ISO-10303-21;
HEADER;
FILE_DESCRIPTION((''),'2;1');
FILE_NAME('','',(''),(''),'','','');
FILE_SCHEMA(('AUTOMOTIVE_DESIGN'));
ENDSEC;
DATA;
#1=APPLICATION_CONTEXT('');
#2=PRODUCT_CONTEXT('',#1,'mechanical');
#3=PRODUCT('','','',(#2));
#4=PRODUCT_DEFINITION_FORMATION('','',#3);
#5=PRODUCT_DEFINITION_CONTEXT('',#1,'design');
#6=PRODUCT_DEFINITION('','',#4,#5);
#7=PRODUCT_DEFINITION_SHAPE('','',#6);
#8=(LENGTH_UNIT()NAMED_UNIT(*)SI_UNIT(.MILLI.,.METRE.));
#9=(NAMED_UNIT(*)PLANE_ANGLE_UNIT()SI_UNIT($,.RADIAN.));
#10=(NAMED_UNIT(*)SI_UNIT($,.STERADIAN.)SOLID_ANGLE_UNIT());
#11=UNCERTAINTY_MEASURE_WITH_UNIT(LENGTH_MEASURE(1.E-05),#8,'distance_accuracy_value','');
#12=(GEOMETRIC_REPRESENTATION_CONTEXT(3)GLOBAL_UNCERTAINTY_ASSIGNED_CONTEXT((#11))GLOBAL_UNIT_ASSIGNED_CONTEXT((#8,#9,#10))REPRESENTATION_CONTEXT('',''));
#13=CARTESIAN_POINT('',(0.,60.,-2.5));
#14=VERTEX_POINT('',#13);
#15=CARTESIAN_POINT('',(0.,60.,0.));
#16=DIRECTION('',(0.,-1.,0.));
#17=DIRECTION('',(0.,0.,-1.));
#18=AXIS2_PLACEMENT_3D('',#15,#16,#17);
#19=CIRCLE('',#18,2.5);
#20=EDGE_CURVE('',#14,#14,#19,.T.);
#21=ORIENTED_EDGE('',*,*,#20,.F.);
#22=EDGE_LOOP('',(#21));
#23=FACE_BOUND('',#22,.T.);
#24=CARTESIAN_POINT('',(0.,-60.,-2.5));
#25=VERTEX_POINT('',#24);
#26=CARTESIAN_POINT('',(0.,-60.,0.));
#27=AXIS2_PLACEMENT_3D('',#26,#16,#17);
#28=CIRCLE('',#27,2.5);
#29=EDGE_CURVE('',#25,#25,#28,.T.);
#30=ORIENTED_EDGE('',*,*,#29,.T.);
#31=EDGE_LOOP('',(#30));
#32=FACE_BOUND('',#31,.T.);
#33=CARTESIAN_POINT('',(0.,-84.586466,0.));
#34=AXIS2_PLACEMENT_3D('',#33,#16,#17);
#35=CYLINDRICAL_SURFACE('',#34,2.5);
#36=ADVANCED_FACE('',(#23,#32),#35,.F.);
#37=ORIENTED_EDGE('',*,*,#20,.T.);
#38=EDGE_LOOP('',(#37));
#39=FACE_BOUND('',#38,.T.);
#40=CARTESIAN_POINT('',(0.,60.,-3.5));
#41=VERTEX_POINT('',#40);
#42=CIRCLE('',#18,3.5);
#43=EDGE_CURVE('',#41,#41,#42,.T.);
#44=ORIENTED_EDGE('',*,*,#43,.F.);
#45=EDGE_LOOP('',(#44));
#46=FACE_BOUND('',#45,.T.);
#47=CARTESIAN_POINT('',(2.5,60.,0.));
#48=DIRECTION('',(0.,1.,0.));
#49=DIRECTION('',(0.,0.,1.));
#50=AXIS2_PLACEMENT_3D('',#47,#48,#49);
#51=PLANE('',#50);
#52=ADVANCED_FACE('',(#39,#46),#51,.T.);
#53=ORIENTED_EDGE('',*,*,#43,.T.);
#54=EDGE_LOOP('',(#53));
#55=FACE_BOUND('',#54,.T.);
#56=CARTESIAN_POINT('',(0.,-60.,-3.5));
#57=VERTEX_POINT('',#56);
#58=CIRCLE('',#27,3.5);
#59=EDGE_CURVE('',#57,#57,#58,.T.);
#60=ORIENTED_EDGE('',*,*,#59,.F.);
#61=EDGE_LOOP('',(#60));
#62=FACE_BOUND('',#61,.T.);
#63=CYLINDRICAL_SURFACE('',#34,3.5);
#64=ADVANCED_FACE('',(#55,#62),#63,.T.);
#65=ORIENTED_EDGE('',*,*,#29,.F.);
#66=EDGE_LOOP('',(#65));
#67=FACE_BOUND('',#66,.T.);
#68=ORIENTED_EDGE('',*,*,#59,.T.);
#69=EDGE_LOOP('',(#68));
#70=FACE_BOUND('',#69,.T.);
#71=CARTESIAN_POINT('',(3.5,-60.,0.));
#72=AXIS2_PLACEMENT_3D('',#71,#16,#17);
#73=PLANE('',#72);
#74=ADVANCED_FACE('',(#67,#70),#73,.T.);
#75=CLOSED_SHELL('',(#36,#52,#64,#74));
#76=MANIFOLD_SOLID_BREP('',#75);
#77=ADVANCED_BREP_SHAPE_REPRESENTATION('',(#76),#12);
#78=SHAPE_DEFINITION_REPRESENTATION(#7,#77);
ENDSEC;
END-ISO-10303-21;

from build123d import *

# Parameters (mm, degrees)
SKETCH1_W = 1
SKETCH1_H = 120


with BuildPart() as part:
    # Sketch1 → Revolve1 (revolve)
    with BuildSketch(Plane.XY, mode=Mode.PRIVATE) as revolve1_sk:
        with Locations((3, 0)):
            Rectangle(SKETCH1_W, SKETCH1_H)
    revolve(revolve1_sk.sketch.rotate(Axis((0, -84.586466165, 0), (0, 1, 0)), 90), axis=Axis((0, -84.586466165, 0), (0, 1, 0)))


solid = part.part
